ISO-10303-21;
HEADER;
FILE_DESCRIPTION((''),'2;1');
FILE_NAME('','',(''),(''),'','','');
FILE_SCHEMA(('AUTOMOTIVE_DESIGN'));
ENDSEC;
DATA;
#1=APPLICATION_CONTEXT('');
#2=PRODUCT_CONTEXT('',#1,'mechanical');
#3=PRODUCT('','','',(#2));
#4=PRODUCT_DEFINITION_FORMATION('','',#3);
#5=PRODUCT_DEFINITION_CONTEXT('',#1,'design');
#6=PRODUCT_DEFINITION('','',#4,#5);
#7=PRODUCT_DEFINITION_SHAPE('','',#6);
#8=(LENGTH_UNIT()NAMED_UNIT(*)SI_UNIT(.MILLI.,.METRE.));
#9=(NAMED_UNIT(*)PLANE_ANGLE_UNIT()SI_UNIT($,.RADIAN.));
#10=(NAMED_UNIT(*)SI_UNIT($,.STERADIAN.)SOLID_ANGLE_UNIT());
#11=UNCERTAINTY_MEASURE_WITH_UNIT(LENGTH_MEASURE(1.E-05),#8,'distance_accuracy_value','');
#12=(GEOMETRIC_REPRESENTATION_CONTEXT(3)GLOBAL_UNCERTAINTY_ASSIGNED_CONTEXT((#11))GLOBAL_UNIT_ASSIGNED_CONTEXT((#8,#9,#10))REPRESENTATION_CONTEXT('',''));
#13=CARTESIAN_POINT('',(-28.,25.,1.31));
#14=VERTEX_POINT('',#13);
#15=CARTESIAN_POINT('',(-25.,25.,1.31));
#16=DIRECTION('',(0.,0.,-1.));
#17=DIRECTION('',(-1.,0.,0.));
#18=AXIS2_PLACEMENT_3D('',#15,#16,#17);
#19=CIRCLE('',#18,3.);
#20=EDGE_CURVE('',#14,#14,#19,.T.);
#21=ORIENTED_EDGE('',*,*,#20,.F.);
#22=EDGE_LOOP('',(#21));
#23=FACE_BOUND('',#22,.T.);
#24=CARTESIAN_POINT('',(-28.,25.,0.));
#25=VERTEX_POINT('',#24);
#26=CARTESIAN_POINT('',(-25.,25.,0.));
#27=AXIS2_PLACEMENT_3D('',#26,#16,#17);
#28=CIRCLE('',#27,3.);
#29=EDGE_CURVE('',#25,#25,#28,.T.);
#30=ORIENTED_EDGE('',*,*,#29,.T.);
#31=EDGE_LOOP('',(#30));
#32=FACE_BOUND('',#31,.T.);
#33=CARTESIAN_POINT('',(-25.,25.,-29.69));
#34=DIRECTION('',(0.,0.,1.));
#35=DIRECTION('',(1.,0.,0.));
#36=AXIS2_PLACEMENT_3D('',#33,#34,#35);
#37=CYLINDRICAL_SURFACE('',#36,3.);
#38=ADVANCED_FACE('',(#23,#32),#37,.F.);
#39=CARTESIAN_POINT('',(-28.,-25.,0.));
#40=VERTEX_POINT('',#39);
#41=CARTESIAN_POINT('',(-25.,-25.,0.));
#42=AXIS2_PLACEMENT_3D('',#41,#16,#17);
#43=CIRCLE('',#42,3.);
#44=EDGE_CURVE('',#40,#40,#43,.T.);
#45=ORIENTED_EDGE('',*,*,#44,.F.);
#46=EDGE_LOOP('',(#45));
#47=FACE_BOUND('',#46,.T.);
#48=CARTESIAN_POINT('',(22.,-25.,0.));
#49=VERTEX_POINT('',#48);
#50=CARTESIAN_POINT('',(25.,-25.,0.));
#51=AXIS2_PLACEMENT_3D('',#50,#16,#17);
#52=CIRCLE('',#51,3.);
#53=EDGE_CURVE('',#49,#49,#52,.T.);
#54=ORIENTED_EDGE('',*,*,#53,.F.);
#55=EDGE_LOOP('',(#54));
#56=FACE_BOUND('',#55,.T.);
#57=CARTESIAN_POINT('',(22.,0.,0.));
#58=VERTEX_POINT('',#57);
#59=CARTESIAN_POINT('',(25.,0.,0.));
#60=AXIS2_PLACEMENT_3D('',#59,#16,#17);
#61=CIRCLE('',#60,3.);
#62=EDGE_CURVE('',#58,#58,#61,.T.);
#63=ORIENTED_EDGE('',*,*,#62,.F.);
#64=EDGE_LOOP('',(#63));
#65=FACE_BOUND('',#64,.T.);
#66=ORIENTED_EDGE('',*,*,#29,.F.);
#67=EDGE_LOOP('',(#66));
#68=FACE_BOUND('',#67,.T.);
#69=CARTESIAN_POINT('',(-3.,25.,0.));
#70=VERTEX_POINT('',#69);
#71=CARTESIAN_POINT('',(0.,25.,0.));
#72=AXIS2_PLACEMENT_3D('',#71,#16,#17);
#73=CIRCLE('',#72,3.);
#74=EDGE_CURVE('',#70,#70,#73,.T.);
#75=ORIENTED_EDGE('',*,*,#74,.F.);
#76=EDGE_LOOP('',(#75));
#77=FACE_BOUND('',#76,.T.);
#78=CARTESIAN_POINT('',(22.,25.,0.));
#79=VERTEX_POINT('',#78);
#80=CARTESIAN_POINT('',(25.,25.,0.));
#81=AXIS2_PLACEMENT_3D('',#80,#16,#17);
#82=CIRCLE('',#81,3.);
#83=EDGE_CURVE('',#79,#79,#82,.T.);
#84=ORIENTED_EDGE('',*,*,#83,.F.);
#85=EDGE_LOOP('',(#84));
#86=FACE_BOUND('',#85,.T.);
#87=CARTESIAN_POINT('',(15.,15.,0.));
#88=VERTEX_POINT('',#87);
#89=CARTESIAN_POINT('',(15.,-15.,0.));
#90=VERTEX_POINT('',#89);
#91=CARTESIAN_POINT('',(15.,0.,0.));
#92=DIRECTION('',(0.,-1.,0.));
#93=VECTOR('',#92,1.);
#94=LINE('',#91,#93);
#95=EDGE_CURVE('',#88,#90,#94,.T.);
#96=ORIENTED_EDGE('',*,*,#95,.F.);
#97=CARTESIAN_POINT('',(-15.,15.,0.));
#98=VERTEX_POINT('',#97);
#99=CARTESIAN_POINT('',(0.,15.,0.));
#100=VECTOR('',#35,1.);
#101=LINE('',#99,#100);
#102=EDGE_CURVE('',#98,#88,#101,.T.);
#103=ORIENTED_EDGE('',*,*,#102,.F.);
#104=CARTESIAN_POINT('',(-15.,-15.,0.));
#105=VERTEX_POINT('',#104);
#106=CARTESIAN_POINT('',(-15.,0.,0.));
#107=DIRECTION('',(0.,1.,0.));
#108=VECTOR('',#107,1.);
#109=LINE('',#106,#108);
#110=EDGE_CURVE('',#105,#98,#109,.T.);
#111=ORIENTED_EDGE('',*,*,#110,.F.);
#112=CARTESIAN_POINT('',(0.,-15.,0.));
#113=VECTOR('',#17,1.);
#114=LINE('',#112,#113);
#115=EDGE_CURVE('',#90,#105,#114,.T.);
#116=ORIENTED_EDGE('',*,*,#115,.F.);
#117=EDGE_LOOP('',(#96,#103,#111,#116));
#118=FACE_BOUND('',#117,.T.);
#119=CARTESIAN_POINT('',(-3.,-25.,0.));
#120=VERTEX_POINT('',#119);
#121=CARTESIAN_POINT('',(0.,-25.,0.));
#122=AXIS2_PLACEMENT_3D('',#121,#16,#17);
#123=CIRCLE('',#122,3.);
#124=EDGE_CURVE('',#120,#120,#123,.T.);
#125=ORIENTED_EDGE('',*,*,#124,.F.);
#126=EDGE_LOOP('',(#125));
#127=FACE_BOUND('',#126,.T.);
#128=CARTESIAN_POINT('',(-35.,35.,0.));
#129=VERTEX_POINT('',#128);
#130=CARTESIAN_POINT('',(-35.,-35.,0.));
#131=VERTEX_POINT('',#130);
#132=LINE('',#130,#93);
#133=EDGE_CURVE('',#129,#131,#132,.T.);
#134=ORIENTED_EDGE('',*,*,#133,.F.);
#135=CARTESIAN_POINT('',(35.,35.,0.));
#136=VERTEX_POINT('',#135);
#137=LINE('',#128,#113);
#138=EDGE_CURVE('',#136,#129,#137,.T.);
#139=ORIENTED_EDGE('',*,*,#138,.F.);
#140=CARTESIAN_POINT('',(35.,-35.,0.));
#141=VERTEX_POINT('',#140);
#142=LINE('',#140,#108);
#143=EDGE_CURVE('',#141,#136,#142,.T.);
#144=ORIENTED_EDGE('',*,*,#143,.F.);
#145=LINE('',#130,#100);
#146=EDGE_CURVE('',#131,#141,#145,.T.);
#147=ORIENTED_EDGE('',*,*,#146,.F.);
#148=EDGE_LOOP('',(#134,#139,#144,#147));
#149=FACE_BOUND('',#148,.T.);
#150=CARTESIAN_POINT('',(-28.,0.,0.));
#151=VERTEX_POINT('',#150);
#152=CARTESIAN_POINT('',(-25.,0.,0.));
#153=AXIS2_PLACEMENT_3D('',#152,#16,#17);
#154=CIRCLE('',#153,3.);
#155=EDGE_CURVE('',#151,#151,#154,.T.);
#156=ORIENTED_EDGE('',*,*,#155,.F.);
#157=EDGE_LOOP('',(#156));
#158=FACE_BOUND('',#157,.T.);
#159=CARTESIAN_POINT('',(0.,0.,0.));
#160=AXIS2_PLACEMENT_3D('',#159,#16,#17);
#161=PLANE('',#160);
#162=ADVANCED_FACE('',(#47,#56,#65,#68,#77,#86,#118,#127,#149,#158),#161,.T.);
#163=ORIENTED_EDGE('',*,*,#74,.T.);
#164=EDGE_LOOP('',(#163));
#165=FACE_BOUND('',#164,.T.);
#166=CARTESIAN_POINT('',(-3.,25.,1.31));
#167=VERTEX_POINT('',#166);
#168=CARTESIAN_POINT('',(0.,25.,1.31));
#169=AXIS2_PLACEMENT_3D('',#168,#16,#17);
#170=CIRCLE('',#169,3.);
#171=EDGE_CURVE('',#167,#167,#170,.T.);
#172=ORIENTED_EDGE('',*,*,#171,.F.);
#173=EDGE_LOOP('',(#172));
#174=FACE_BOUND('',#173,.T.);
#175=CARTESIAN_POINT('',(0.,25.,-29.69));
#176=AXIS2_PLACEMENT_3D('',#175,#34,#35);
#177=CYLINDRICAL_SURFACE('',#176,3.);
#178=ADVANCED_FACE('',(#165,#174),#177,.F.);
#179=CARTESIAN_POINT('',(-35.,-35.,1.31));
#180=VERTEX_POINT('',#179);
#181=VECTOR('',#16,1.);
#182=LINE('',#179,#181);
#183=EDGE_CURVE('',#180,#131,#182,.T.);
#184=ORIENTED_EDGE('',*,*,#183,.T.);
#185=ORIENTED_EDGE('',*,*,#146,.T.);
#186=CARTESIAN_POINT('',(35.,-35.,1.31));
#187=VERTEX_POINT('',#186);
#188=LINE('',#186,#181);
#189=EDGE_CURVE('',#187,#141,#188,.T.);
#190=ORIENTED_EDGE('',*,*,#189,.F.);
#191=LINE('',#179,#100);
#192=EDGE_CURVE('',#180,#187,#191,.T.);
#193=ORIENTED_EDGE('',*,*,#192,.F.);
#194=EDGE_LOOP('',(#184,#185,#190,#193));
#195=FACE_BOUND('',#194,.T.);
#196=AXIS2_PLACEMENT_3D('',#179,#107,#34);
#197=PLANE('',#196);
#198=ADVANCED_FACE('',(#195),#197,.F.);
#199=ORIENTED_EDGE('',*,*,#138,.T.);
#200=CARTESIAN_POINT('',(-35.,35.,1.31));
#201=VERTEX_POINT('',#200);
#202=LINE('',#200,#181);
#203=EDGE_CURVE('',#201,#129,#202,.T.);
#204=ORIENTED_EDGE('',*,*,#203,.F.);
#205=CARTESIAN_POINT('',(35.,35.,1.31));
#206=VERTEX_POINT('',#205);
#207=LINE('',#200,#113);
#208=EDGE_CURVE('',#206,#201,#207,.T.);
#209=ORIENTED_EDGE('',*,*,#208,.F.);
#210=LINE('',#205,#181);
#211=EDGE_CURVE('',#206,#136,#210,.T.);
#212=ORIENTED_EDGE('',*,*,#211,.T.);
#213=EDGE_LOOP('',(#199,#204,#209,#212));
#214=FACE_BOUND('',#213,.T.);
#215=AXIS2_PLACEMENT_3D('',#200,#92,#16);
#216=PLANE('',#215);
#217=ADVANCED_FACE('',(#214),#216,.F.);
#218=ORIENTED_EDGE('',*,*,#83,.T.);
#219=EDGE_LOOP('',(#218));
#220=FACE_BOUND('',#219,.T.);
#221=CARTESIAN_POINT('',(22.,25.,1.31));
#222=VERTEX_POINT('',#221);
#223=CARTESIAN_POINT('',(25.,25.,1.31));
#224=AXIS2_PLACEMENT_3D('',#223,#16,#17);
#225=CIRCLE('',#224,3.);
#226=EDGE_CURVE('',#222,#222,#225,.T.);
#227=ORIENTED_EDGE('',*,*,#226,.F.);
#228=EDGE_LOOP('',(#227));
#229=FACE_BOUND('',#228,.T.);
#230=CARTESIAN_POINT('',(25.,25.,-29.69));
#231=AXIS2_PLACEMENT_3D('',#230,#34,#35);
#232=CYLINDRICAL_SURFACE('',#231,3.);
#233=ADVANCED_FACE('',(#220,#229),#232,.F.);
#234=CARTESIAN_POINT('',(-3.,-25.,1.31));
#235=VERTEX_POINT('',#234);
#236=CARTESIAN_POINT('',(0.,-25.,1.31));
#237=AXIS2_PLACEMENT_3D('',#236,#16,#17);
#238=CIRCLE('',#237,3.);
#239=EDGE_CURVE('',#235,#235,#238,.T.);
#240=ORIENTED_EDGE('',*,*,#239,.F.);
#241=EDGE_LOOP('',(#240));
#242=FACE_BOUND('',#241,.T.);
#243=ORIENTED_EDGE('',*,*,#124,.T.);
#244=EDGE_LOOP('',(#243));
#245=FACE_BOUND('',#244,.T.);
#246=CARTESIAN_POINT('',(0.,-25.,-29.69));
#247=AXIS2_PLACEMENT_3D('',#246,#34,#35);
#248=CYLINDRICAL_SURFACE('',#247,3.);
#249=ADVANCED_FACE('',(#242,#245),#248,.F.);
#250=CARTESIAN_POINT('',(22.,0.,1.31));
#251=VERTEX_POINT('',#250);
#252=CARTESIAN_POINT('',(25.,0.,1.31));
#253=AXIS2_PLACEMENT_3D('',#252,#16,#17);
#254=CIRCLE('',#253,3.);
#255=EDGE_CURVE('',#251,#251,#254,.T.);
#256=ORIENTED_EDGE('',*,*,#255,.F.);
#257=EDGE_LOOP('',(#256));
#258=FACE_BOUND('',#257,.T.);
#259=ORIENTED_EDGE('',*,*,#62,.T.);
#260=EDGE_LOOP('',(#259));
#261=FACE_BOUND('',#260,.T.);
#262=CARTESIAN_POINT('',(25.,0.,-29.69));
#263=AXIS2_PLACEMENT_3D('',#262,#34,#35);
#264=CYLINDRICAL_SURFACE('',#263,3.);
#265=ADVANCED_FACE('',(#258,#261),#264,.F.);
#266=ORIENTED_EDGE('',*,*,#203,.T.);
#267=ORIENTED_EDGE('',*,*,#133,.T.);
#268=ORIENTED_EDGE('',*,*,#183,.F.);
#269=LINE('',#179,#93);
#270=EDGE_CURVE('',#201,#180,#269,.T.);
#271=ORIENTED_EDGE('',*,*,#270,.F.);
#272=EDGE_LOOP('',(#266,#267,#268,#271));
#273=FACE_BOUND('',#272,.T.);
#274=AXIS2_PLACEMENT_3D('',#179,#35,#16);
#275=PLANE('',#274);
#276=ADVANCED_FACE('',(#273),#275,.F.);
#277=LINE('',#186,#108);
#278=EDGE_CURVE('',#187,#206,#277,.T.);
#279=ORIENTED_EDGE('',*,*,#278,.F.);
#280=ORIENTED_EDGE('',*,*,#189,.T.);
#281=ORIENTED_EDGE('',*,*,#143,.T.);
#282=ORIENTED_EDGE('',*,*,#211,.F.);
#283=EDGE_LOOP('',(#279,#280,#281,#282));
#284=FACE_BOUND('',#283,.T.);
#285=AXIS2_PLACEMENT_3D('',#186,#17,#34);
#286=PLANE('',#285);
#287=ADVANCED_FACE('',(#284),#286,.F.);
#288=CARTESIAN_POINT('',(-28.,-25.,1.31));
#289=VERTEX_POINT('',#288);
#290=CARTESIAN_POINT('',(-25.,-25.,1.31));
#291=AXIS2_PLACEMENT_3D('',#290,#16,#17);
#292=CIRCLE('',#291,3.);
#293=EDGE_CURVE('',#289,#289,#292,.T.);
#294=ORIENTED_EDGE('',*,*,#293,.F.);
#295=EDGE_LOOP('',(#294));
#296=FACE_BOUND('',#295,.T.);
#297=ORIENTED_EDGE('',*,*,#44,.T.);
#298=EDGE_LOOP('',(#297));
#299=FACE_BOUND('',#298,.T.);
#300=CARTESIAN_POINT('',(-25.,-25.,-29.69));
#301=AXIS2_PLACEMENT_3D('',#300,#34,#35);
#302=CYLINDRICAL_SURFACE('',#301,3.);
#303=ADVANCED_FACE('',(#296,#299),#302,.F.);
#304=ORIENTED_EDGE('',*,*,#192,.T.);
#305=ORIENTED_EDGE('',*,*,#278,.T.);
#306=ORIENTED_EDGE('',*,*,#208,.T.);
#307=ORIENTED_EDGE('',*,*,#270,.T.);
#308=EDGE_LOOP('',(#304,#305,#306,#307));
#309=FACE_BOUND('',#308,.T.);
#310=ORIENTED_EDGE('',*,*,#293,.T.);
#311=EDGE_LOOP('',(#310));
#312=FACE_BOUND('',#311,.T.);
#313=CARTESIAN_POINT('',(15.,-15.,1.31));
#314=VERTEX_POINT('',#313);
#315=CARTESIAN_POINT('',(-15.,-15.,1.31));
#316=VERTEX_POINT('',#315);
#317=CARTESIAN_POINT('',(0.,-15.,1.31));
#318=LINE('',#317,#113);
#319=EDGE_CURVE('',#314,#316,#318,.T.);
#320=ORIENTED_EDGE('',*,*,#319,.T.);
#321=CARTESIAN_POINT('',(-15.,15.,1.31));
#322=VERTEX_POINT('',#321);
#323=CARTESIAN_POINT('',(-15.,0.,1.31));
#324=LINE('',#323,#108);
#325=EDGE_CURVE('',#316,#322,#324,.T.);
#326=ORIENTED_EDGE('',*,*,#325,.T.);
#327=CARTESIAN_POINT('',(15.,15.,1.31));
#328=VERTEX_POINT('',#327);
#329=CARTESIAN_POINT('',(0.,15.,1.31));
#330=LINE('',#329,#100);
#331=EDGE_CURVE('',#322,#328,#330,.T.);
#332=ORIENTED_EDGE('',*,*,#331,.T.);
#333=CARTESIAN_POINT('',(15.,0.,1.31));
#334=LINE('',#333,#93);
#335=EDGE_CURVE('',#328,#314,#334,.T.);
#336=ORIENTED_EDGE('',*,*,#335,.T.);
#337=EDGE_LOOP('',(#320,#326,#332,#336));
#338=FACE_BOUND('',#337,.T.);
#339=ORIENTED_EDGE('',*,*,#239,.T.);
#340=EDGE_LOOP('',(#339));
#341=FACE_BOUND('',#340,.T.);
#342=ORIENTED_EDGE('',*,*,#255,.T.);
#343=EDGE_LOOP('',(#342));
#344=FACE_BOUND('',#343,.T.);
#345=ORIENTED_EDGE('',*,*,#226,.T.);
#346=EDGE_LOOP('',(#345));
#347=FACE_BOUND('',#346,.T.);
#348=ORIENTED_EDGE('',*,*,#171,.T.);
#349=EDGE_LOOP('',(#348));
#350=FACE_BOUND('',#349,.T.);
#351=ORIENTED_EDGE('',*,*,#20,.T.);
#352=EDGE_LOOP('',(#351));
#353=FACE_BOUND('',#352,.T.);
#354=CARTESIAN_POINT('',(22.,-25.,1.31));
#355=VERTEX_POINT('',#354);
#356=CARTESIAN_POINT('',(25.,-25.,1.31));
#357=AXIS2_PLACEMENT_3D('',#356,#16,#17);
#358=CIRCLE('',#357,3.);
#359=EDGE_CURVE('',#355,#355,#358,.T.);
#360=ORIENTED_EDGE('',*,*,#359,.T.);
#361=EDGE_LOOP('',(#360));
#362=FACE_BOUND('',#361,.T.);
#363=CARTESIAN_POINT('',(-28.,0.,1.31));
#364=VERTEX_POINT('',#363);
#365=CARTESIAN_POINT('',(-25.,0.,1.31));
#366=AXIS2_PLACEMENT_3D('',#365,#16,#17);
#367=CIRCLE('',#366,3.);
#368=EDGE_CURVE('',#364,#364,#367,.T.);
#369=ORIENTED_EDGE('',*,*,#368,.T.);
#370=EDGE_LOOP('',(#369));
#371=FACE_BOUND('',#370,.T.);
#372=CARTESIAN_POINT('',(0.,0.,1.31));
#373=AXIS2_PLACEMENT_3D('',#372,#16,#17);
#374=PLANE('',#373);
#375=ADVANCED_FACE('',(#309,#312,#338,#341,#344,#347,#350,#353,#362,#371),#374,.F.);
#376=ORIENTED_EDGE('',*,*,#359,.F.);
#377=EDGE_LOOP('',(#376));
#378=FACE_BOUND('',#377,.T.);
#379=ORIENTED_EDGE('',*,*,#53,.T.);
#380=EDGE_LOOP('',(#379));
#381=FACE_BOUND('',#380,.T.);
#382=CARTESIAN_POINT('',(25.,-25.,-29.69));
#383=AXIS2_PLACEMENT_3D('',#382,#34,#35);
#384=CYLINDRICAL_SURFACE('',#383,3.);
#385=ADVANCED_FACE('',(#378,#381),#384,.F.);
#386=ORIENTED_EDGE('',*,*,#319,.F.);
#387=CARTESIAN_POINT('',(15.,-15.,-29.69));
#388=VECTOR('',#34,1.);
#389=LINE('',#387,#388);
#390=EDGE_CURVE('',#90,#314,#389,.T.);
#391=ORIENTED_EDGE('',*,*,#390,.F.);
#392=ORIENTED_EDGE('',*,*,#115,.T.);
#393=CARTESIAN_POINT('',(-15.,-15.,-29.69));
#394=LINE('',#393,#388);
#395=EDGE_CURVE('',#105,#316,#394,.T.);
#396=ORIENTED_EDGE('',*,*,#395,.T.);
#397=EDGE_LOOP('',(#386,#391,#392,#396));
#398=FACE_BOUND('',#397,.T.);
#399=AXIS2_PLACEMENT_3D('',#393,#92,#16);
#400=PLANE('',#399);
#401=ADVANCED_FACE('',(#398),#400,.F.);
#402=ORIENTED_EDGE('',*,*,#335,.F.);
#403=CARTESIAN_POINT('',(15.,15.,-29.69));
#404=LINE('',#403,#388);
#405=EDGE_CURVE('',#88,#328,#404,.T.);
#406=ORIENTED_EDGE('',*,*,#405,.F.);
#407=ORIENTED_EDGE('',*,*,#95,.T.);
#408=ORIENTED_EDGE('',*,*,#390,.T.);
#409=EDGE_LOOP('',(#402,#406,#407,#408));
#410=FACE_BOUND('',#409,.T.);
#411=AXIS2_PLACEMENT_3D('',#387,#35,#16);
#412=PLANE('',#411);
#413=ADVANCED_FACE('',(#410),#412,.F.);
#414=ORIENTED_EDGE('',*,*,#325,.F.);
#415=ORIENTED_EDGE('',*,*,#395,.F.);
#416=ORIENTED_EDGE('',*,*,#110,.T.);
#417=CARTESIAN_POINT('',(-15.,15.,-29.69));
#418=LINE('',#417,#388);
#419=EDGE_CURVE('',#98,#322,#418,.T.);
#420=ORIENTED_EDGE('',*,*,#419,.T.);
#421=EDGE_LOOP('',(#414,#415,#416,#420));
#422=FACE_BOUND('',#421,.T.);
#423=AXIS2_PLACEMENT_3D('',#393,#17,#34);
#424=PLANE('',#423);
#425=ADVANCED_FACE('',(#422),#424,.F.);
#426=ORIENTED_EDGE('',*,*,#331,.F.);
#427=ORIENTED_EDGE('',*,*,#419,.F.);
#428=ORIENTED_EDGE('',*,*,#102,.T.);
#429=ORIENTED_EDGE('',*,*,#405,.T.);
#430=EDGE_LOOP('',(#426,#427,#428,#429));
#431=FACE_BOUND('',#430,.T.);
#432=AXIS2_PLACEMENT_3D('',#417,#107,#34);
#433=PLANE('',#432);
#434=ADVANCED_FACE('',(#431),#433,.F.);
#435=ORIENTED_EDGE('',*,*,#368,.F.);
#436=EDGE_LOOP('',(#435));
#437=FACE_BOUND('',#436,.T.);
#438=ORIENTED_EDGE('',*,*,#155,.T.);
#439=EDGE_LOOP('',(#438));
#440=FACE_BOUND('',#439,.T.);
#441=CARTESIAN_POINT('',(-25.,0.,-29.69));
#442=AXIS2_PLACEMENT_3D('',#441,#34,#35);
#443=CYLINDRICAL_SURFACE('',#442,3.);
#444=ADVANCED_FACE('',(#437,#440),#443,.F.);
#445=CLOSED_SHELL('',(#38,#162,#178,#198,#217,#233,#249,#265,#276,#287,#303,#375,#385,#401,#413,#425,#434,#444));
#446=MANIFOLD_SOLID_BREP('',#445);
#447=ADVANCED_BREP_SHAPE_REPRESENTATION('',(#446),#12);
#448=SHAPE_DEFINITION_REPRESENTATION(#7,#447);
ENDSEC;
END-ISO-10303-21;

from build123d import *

# Parameters (mm, degrees)
SKETCH3_W               = 70
SKETCH3_H               = 70
BOSS_EXTRUDE2_DEPTH     = 1.31
CUT_EXTRUDE1_DEPTH      = 3.08
CUT_EXTRUDE1_DEPTH_BACK = 31
SKETCH4_R               = 3
SKETCH4_W               = 30
SKETCH4_H               = 30


with BuildPart() as part:
    # Sketch3 → Boss-Extrude2 (new body)
    with BuildSketch(Plane.XY):
        Rectangle(SKETCH3_W, SKETCH3_H)
    extrude(amount=BOSS_EXTRUDE2_DEPTH)

    # Sketch4 → Cut-Extrude1 (cut, two sides: drawn at the far end of the back side and taken through both)
    with BuildSketch(Plane.XY.offset(1.31).offset(-CUT_EXTRUDE1_DEPTH_BACK)):
        with Locations(Location((-25, 25, 0), (0, 0, 180))):
            Circle(SKETCH4_R)
        with Locations(Location((0, 25, 0), (0, 0, 180))):
            Circle(SKETCH4_R)
        with Locations(Location((25, 25, 0), (0, 0, 180))):
            Circle(SKETCH4_R)
        with Locations(Location((25, 0, 0), (0, 0, 180))):
            Circle(SKETCH4_R)
        with Locations(Location((25, -25, 0), (0, 0, 180))):
            Circle(SKETCH4_R)
        with Locations(Location((0, -25, 0), (0, 0, 180))):
            Circle(SKETCH4_R)
        with Locations(Location((-25, -25, 0), (0, 0, 180))):
            Circle(SKETCH4_R)
        with Locations(Location((-25, 0, 0), (0, 0, 180))):
            Circle(SKETCH4_R)
        Rectangle(SKETCH4_W, SKETCH4_H)
    extrude(amount=CUT_EXTRUDE1_DEPTH + CUT_EXTRUDE1_DEPTH_BACK, mode=Mode.SUBTRACT)


solid = part.part
